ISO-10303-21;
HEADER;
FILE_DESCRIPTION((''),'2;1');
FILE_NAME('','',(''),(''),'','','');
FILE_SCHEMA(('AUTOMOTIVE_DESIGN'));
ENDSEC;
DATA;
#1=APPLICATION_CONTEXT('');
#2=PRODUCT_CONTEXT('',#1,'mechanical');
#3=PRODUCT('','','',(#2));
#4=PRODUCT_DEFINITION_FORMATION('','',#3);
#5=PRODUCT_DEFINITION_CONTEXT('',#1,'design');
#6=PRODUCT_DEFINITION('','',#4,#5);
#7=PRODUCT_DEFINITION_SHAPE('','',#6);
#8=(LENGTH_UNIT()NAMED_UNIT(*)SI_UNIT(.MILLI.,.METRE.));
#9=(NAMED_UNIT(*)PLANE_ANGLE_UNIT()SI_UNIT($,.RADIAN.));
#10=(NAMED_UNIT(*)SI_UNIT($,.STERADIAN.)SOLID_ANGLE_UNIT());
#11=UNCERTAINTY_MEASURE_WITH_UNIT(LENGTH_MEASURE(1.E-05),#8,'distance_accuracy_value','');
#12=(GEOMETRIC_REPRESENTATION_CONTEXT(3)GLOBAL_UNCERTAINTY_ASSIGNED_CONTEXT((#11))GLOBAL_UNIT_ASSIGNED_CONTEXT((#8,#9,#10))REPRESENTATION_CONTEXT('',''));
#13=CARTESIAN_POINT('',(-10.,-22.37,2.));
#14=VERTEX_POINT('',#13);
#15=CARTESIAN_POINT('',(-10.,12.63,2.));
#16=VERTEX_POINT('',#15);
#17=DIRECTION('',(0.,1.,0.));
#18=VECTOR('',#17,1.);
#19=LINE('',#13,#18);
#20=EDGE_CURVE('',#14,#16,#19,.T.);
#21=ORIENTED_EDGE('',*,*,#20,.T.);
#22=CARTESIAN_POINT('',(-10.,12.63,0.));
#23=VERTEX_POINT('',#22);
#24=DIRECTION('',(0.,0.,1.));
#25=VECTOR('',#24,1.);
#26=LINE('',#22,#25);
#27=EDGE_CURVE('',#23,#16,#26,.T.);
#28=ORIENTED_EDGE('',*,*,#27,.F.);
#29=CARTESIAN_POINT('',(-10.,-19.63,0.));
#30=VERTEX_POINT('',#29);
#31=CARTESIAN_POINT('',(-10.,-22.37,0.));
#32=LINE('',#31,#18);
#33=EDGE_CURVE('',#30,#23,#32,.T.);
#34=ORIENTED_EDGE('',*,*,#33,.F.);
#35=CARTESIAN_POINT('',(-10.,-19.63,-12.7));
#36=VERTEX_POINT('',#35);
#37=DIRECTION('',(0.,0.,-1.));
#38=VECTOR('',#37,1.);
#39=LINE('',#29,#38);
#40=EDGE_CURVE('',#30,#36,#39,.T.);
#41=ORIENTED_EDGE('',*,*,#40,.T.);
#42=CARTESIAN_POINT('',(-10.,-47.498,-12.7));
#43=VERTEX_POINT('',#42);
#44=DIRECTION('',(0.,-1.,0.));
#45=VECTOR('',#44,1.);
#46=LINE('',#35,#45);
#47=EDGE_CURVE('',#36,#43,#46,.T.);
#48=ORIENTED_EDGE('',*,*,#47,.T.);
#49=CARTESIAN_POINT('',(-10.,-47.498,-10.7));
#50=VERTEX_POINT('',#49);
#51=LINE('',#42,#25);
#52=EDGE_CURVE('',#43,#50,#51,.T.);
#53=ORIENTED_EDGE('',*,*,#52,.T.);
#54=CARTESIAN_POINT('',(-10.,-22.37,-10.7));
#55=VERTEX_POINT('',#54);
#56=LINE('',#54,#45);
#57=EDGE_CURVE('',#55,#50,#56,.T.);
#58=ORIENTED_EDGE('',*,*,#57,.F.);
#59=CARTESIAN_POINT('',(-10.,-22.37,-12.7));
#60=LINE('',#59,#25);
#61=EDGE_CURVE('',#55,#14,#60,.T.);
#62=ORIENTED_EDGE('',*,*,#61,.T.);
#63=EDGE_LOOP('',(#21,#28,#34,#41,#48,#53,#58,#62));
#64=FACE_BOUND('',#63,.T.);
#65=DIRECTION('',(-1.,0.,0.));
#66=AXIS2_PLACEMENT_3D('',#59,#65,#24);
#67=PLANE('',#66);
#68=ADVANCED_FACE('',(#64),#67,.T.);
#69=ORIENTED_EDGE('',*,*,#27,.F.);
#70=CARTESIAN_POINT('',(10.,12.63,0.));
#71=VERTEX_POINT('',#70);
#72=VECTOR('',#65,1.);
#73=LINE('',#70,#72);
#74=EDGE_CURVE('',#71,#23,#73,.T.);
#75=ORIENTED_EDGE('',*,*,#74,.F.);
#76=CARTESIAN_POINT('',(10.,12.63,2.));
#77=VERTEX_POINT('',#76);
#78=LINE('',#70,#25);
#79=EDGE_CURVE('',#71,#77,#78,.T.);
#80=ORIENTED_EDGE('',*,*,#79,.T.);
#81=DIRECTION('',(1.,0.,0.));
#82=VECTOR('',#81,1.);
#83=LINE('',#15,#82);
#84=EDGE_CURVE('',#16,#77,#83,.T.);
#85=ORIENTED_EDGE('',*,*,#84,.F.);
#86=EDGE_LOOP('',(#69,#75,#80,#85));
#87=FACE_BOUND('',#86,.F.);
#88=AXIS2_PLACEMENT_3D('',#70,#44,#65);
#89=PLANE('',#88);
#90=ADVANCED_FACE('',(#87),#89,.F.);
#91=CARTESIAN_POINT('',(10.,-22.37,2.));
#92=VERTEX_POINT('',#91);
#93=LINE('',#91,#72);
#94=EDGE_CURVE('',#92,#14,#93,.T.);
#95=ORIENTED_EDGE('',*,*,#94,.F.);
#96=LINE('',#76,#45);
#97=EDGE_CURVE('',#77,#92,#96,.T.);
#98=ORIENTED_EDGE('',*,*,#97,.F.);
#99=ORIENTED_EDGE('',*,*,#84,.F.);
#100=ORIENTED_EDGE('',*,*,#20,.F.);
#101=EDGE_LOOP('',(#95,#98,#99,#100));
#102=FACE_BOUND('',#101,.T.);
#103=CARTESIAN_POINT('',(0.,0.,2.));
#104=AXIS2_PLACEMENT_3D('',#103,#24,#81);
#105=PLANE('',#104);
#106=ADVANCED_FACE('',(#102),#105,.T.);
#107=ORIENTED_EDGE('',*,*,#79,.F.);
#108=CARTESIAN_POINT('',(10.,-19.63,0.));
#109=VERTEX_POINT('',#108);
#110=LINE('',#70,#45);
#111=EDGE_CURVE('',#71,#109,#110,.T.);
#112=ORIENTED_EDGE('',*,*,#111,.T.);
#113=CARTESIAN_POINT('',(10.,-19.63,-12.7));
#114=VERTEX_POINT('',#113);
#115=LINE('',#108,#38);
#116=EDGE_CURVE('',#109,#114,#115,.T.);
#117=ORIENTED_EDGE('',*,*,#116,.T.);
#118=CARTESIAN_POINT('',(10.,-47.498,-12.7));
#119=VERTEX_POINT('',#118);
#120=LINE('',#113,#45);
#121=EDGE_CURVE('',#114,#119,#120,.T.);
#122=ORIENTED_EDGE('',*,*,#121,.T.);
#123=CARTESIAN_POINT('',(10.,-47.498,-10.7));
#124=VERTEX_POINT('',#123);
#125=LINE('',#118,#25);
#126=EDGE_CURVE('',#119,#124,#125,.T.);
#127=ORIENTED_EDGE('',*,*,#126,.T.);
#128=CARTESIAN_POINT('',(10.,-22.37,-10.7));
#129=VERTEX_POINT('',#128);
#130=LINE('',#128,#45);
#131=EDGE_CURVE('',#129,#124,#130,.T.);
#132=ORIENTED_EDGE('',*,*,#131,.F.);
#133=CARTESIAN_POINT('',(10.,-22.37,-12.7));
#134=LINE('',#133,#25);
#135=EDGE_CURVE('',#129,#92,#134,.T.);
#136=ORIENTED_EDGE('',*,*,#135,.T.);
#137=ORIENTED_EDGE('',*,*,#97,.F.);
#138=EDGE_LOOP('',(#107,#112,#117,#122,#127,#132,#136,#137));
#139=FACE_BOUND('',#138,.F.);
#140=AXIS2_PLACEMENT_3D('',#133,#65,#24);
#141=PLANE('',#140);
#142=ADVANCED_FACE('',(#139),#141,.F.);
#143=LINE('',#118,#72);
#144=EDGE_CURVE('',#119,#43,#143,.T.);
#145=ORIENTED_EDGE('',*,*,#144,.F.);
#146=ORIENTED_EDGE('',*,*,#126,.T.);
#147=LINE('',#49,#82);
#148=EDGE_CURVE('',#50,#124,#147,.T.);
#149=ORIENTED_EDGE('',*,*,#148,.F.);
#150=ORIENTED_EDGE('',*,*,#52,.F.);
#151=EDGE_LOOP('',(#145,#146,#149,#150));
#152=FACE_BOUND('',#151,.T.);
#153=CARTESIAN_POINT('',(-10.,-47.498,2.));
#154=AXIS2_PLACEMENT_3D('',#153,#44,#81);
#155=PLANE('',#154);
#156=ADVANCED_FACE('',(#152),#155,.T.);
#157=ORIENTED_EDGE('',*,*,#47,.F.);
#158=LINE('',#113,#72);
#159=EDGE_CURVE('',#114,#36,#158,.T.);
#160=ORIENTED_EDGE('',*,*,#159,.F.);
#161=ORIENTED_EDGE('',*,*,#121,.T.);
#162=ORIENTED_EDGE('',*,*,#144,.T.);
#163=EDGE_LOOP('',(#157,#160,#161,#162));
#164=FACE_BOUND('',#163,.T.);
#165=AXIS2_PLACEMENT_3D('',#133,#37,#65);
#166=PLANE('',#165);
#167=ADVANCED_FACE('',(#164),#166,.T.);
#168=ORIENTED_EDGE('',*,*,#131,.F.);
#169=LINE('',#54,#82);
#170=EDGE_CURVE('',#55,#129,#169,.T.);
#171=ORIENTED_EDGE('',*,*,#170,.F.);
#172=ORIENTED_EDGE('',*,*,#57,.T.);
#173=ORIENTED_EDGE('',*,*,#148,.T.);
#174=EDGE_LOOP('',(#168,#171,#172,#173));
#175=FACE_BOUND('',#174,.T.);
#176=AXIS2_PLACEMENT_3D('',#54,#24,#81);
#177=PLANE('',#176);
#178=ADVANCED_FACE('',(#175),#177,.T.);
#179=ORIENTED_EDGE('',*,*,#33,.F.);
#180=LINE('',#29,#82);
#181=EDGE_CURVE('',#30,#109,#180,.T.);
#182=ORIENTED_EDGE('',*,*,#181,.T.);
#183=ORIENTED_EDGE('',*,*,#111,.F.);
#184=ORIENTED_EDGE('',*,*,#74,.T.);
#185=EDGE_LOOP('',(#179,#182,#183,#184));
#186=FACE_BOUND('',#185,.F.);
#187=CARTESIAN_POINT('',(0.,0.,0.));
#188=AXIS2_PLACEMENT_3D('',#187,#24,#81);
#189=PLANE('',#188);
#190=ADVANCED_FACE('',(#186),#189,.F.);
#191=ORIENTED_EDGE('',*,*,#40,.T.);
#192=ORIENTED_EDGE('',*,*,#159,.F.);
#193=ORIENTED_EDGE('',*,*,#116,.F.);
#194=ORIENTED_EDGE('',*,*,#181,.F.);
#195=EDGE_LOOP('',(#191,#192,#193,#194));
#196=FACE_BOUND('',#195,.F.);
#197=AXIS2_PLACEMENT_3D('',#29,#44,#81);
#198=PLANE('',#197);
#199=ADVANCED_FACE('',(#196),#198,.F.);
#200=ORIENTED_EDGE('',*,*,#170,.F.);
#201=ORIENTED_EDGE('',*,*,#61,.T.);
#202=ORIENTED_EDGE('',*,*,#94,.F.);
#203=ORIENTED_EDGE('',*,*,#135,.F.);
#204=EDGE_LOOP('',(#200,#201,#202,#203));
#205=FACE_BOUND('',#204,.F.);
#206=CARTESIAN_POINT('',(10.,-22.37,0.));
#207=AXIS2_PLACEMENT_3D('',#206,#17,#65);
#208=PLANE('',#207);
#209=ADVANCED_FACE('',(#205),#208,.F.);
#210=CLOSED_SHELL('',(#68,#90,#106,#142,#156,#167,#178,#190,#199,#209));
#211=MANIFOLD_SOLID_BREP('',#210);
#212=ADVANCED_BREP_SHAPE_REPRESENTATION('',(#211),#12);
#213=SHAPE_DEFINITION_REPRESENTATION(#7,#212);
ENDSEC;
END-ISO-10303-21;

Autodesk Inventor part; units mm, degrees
ref_plane "YZ Plane" through (0, 0, 0) normal (1, 0, 0) x (0, 1, 0)
sketch "Sketch1" plane through (0, 0, 0) normal (0, 0, 1) x (1, 0, 0)
  line L0 (4.2148, -12.63) -> (4.2148, -18.63) projected
  line L1 (0.6968, -12.63) -> (4.2148, -12.63) projected
  line L2 (0.6968, 12.63) -> (0.6968, -12.63) projected
  line L3 (16.6988, 12.63) -> (0.6968, 12.63) projected
  line L4 (16.6988, 17.202) -> (16.6988, 12.63) projected
  line L5 (21.6388, 17.202) -> (16.6988, 17.202) projected
  line L6 (21.6388, 12.63) -> (21.6388, 17.202) projected
  line L7 (23.7568, 12.63) -> (21.6388, 12.63) projected
  line L8 (23.7568, 18.63) -> (23.7568, 12.63) projected
  line L9 (-23.7568, 18.63) -> (23.7568, 18.63) projected
  line L10 (-23.7568, 12.63) -> (-23.7568, 18.63) projected
  line L11 (-21.6388, 12.63) -> (-23.7568, 12.63) projected
  line L12 (-21.6388, 17.202) -> (-21.6388, 12.63) projected
  line L13 (-16.6988, 17.202) -> (-21.6388, 17.202) projected
  line L14 (-16.6988, 12.63) -> (-16.6988, 17.202) projected
  line L15 (-0.6968, 12.63) -> (-16.6988, 12.63) projected
  line L16 (-0.6968, -12.63) -> (-0.6968, 12.63) projected
  line L17 (-4.2148, -12.63) -> (-0.6968, -12.63) projected
  line L18 (-4.2148, -18.63) -> (-4.2148, -12.63) projected
  line L19 (4.2148, -18.63) -> (-4.2148, -18.63) projected
  line L20 (0, 12.63) -> (10, 12.63)
  line L21 (10, 12.63) -> (-10, 12.63)
  line L22 (10, 12.63) -> (10, -22.37)
  line L23 (10, -22.37) -> (-10, -22.37)
  line L24 (-10, -22.37) -> (-10, 12.63)
  line L25 (-10, 12.63) -> (10, 12.63)
  line L26 (10, 12.63) -> (10, -22.37)
  point P0 (0, 0)
  dimension "d0" = 10
  dimension "d1" = 20
  dimension "d2" = 35
extrude "Extrusion1" add sketch "Sketch1" along normal blind 2 contours L1 L2 L3 L22 L23 L24 L15 L16 L17 L18 L19 L0 | L0 L19 L18 L17 L16 L21 L20 L2 L1
sketch "Sketch2" plane through (0, 0, 0) normal (0, 0, -1) x (-1, 0, 0)
  line L0 (9.2308, -18.63) -> (23.7568, -18.63) projected
  line L1 (4.2148, -19.63) -> (-4.2148, -19.63) projected
  line L2 (10, 12.63) -> (10, -22.37) projected
  line L3 (-10, -22.37) -> (-10, 12.63) projected
  line L4 (10, -19.63) -> (-10, -19.63)
  line L5 (-10, -19.63) -> (-10, -22.37)
  line L6 (-10, -22.37) -> (10, -22.37)
  line L7 (10, -22.37) -> (10, -19.63)
  point P0 (0, 0)
ref_plane "Work Plane1" through (-27.5, -47.498, -12.7) normal (0, 0, 1) x (1, 0, 0)
extrude "Extrusion2" add sketch "Sketch2" along normal up to surface (12.7 mm away)
sketch "Sketch3" plane through (-10, -22.37, 2) normal (0, -1, 0) x (1, 0, 0)
  line L0 (0, -14.7) -> (0, 0) projected
  line L1 (0, -14.7) -> (0, -12.7)
  line L2 (20, -14.7) -> (20, 0) projected
  line L3 (0, -12.7) -> (20, -12.7)
  line L4 (20, -12.7) -> (20, -14.7)
  line L5 (20, -14.7) -> (0, -14.7)
  line L6 (0, -14.7) -> (0, -12.7)
  point P0 (10, -2)
  dimension "d7" = 2
ref_plane "Work Plane2" through (-27.5, -47.498, -20.1034) normal (0, -1, 0) x (1, 0, 0)
extrude "Extrusion3" add sketch "Sketch3" along normal up to surface (25.128 mm away)
properties part number "SyringeConnector"
